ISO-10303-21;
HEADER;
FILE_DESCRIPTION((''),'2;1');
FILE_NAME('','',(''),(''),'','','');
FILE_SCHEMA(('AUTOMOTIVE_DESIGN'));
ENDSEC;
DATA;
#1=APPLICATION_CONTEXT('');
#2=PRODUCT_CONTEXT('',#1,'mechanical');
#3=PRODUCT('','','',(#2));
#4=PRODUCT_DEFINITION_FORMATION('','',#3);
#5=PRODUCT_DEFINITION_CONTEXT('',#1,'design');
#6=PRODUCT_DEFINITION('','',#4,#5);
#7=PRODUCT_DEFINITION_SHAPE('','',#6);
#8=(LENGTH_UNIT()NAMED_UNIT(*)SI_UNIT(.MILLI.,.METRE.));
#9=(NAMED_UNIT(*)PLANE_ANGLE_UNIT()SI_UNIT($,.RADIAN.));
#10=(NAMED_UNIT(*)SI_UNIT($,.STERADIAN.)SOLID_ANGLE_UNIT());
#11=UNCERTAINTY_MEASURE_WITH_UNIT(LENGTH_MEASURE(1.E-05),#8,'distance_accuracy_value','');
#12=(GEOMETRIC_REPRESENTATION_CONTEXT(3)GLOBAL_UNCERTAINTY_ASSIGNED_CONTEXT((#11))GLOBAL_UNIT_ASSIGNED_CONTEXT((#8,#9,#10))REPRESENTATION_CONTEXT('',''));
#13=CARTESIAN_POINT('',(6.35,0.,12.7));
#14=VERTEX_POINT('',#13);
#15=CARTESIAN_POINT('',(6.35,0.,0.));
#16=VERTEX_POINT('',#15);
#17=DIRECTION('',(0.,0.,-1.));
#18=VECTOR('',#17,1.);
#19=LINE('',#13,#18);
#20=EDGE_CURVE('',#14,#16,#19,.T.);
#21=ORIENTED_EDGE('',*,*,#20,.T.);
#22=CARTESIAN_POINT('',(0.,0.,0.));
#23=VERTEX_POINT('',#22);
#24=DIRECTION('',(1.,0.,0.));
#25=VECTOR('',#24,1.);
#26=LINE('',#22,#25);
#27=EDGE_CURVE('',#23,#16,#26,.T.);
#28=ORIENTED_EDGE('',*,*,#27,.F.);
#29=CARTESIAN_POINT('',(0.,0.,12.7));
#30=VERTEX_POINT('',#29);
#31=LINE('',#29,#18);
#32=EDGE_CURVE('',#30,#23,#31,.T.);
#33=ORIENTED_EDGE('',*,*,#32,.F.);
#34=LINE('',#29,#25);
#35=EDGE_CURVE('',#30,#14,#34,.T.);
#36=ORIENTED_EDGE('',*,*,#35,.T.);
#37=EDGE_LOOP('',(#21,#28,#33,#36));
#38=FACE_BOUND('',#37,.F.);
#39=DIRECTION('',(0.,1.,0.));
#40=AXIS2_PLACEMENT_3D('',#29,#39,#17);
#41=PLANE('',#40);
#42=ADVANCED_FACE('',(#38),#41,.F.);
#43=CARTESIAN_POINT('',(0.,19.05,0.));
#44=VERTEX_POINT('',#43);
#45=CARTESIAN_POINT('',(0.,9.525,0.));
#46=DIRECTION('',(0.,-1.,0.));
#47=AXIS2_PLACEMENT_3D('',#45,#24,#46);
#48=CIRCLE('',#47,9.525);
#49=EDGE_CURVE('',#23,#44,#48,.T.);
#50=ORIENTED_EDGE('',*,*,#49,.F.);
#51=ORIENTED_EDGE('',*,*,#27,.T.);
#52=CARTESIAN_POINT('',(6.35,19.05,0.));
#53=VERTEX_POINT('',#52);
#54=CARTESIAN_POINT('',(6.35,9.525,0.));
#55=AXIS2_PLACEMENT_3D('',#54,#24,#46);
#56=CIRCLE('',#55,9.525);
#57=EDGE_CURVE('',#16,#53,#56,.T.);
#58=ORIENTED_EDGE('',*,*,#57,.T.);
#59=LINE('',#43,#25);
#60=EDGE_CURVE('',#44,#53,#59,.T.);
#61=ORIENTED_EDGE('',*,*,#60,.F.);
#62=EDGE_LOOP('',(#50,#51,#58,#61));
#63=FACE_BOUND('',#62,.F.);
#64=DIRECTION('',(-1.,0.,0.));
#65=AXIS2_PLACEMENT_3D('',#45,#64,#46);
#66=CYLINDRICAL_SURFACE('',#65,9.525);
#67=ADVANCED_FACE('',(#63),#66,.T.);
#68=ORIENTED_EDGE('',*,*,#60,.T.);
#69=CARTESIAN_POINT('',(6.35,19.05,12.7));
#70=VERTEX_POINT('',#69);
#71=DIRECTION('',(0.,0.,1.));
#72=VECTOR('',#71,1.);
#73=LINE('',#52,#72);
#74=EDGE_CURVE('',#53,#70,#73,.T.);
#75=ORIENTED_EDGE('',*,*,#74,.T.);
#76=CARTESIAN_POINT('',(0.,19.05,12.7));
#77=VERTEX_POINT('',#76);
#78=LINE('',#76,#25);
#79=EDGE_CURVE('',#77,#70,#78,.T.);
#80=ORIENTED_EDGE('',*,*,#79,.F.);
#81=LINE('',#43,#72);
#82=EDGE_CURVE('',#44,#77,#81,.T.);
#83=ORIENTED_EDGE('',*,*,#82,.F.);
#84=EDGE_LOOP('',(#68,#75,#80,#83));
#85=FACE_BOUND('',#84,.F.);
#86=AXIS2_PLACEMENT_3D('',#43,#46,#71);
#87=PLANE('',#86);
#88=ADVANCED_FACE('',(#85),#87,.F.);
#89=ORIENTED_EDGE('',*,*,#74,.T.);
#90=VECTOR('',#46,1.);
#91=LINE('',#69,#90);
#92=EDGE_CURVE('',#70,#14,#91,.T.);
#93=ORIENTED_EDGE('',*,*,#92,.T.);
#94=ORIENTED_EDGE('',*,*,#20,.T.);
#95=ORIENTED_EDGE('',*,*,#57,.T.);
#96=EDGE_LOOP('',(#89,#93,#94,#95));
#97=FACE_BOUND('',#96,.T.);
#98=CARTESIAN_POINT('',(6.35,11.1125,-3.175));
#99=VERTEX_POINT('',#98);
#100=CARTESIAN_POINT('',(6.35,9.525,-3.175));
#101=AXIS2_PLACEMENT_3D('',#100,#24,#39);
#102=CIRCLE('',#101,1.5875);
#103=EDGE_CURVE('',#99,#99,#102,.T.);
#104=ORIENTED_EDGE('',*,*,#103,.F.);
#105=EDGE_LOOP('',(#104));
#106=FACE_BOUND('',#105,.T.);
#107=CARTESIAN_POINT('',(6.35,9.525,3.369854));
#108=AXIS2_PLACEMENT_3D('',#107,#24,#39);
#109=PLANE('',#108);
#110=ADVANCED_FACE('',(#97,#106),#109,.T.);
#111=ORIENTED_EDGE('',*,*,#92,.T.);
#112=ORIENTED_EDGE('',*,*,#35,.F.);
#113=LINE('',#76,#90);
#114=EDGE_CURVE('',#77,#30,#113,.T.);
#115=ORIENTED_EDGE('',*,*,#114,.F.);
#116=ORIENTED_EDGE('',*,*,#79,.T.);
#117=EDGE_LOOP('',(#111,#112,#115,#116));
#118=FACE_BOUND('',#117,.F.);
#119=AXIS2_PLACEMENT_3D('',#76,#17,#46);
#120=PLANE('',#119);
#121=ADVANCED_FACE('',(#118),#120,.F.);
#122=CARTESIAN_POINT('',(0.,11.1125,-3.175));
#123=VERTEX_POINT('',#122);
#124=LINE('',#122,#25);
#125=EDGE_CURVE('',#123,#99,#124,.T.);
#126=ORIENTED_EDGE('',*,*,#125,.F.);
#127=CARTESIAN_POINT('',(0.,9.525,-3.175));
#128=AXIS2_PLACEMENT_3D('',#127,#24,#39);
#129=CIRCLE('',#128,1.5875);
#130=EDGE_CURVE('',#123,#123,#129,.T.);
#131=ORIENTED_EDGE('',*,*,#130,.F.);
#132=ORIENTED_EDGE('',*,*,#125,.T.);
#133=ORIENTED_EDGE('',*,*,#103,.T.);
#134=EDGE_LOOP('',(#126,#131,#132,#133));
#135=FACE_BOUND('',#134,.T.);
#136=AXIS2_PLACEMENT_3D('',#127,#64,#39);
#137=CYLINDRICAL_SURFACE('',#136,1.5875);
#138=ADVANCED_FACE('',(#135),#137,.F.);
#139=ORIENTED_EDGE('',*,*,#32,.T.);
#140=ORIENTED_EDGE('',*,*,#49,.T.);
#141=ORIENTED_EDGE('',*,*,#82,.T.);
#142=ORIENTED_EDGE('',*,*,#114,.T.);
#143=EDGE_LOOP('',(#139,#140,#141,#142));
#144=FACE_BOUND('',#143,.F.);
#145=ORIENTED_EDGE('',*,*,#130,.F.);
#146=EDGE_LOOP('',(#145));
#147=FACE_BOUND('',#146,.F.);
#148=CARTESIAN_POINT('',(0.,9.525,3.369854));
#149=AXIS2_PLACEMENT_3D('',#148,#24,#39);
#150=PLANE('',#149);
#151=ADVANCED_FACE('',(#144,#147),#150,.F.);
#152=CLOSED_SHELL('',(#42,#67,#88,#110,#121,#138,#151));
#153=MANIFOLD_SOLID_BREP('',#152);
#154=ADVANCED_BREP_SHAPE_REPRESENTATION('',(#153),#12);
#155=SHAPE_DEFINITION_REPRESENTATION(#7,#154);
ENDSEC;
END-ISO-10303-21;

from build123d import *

# Parameters (mm, degrees)
F0_R     = 1.5875
F1_DEPTH = 6.35


with BuildPart() as f1:
    # F0 (on Right) → F1 (new body)
    with BuildSketch(Plane.YZ):
        with BuildLine():
            Line((0, 12.7), (0, 0))
            ThreePointArc((0, 0), (9.525, -9.525), (19.05, 0))
            Line((19.05, 0), (19.05, 12.7))
            Line((19.05, 12.7), (0, 12.7))
        make_face()
        with Locations((9.525, -3.175)):
            Circle(F0_R, mode=Mode.SUBTRACT)
    extrude(amount=F1_DEPTH)


solid = f1.part
